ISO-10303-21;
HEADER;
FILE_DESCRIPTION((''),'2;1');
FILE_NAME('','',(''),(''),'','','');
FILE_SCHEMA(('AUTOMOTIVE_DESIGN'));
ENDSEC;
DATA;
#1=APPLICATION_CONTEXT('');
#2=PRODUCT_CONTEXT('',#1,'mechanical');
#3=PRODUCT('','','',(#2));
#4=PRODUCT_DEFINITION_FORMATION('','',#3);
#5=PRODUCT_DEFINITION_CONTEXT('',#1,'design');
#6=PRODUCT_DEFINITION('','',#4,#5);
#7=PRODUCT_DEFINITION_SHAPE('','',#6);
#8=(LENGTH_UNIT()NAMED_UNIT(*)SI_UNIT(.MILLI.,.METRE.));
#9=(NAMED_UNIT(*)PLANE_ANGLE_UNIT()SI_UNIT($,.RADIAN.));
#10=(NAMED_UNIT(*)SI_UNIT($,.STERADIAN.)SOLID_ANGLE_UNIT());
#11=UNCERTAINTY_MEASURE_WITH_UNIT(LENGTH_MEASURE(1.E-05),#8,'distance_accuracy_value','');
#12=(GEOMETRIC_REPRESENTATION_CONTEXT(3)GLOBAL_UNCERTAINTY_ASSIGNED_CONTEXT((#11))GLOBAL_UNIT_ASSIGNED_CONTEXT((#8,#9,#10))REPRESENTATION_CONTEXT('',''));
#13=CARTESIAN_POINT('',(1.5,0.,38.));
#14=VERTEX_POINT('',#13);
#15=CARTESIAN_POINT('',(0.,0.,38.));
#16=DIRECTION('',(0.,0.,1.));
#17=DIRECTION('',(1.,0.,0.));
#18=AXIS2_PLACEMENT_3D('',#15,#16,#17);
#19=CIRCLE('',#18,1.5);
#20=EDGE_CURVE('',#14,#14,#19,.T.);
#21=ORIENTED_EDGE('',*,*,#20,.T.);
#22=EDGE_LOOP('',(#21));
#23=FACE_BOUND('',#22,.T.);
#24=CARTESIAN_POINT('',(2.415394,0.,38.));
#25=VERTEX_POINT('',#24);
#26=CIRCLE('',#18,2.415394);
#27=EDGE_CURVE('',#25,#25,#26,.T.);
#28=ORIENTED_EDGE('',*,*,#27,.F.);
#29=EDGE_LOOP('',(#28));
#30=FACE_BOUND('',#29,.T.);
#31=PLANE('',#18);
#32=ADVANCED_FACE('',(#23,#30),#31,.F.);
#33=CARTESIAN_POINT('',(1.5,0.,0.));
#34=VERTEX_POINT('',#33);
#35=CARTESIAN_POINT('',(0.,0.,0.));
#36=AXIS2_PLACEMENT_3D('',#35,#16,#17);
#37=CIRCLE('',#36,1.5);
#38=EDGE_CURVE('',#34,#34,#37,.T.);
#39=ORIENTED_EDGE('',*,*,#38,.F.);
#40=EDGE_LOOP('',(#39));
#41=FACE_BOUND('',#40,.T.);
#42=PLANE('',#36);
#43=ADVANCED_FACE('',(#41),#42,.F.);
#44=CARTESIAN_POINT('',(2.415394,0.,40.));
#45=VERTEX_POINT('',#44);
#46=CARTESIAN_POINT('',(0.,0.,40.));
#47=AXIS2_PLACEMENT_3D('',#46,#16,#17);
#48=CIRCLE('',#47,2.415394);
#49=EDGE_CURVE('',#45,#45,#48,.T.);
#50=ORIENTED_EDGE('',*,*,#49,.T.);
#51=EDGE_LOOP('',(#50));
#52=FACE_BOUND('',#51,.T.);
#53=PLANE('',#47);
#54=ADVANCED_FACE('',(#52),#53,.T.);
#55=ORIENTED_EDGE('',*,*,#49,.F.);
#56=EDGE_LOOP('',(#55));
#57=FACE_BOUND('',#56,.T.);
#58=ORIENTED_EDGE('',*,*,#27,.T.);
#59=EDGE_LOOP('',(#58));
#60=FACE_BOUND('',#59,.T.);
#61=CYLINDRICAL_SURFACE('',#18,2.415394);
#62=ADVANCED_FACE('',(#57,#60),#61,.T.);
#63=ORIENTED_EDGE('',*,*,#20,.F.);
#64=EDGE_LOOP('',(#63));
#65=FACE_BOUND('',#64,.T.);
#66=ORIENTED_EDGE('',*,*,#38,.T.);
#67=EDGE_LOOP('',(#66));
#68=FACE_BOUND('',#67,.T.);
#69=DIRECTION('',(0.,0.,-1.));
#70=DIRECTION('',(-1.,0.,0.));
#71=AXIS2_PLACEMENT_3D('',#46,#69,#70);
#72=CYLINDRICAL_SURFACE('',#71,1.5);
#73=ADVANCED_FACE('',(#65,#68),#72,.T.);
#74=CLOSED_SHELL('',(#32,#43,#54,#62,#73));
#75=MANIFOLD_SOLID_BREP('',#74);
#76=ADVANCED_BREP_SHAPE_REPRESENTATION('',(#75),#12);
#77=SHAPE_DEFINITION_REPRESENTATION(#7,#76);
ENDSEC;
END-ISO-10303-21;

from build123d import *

# Parameters (mm, degrees)
SKETCH1_R           = 1.5
BOSS_EXTRUDE1_DEPTH = 40
SKETCH2_R           = 2.415394365
SKETCH2_R_2         = 1.5
BOSS_EXTRUDE2_DEPTH = 2


with BuildPart() as part:
    # Sketch1 → Boss-Extrude1 (new body)
    with BuildSketch(Plane.XY):
        Circle(SKETCH1_R)
    extrude(amount=BOSS_EXTRUDE1_DEPTH)

    # Sketch2 → Boss-Extrude2 (add)
    with BuildSketch(Plane.XY.offset(40)):
        Circle(SKETCH2_R)
        Circle(SKETCH2_R_2, mode=Mode.SUBTRACT)
    extrude(amount=-BOSS_EXTRUDE2_DEPTH)


solid = part.part
